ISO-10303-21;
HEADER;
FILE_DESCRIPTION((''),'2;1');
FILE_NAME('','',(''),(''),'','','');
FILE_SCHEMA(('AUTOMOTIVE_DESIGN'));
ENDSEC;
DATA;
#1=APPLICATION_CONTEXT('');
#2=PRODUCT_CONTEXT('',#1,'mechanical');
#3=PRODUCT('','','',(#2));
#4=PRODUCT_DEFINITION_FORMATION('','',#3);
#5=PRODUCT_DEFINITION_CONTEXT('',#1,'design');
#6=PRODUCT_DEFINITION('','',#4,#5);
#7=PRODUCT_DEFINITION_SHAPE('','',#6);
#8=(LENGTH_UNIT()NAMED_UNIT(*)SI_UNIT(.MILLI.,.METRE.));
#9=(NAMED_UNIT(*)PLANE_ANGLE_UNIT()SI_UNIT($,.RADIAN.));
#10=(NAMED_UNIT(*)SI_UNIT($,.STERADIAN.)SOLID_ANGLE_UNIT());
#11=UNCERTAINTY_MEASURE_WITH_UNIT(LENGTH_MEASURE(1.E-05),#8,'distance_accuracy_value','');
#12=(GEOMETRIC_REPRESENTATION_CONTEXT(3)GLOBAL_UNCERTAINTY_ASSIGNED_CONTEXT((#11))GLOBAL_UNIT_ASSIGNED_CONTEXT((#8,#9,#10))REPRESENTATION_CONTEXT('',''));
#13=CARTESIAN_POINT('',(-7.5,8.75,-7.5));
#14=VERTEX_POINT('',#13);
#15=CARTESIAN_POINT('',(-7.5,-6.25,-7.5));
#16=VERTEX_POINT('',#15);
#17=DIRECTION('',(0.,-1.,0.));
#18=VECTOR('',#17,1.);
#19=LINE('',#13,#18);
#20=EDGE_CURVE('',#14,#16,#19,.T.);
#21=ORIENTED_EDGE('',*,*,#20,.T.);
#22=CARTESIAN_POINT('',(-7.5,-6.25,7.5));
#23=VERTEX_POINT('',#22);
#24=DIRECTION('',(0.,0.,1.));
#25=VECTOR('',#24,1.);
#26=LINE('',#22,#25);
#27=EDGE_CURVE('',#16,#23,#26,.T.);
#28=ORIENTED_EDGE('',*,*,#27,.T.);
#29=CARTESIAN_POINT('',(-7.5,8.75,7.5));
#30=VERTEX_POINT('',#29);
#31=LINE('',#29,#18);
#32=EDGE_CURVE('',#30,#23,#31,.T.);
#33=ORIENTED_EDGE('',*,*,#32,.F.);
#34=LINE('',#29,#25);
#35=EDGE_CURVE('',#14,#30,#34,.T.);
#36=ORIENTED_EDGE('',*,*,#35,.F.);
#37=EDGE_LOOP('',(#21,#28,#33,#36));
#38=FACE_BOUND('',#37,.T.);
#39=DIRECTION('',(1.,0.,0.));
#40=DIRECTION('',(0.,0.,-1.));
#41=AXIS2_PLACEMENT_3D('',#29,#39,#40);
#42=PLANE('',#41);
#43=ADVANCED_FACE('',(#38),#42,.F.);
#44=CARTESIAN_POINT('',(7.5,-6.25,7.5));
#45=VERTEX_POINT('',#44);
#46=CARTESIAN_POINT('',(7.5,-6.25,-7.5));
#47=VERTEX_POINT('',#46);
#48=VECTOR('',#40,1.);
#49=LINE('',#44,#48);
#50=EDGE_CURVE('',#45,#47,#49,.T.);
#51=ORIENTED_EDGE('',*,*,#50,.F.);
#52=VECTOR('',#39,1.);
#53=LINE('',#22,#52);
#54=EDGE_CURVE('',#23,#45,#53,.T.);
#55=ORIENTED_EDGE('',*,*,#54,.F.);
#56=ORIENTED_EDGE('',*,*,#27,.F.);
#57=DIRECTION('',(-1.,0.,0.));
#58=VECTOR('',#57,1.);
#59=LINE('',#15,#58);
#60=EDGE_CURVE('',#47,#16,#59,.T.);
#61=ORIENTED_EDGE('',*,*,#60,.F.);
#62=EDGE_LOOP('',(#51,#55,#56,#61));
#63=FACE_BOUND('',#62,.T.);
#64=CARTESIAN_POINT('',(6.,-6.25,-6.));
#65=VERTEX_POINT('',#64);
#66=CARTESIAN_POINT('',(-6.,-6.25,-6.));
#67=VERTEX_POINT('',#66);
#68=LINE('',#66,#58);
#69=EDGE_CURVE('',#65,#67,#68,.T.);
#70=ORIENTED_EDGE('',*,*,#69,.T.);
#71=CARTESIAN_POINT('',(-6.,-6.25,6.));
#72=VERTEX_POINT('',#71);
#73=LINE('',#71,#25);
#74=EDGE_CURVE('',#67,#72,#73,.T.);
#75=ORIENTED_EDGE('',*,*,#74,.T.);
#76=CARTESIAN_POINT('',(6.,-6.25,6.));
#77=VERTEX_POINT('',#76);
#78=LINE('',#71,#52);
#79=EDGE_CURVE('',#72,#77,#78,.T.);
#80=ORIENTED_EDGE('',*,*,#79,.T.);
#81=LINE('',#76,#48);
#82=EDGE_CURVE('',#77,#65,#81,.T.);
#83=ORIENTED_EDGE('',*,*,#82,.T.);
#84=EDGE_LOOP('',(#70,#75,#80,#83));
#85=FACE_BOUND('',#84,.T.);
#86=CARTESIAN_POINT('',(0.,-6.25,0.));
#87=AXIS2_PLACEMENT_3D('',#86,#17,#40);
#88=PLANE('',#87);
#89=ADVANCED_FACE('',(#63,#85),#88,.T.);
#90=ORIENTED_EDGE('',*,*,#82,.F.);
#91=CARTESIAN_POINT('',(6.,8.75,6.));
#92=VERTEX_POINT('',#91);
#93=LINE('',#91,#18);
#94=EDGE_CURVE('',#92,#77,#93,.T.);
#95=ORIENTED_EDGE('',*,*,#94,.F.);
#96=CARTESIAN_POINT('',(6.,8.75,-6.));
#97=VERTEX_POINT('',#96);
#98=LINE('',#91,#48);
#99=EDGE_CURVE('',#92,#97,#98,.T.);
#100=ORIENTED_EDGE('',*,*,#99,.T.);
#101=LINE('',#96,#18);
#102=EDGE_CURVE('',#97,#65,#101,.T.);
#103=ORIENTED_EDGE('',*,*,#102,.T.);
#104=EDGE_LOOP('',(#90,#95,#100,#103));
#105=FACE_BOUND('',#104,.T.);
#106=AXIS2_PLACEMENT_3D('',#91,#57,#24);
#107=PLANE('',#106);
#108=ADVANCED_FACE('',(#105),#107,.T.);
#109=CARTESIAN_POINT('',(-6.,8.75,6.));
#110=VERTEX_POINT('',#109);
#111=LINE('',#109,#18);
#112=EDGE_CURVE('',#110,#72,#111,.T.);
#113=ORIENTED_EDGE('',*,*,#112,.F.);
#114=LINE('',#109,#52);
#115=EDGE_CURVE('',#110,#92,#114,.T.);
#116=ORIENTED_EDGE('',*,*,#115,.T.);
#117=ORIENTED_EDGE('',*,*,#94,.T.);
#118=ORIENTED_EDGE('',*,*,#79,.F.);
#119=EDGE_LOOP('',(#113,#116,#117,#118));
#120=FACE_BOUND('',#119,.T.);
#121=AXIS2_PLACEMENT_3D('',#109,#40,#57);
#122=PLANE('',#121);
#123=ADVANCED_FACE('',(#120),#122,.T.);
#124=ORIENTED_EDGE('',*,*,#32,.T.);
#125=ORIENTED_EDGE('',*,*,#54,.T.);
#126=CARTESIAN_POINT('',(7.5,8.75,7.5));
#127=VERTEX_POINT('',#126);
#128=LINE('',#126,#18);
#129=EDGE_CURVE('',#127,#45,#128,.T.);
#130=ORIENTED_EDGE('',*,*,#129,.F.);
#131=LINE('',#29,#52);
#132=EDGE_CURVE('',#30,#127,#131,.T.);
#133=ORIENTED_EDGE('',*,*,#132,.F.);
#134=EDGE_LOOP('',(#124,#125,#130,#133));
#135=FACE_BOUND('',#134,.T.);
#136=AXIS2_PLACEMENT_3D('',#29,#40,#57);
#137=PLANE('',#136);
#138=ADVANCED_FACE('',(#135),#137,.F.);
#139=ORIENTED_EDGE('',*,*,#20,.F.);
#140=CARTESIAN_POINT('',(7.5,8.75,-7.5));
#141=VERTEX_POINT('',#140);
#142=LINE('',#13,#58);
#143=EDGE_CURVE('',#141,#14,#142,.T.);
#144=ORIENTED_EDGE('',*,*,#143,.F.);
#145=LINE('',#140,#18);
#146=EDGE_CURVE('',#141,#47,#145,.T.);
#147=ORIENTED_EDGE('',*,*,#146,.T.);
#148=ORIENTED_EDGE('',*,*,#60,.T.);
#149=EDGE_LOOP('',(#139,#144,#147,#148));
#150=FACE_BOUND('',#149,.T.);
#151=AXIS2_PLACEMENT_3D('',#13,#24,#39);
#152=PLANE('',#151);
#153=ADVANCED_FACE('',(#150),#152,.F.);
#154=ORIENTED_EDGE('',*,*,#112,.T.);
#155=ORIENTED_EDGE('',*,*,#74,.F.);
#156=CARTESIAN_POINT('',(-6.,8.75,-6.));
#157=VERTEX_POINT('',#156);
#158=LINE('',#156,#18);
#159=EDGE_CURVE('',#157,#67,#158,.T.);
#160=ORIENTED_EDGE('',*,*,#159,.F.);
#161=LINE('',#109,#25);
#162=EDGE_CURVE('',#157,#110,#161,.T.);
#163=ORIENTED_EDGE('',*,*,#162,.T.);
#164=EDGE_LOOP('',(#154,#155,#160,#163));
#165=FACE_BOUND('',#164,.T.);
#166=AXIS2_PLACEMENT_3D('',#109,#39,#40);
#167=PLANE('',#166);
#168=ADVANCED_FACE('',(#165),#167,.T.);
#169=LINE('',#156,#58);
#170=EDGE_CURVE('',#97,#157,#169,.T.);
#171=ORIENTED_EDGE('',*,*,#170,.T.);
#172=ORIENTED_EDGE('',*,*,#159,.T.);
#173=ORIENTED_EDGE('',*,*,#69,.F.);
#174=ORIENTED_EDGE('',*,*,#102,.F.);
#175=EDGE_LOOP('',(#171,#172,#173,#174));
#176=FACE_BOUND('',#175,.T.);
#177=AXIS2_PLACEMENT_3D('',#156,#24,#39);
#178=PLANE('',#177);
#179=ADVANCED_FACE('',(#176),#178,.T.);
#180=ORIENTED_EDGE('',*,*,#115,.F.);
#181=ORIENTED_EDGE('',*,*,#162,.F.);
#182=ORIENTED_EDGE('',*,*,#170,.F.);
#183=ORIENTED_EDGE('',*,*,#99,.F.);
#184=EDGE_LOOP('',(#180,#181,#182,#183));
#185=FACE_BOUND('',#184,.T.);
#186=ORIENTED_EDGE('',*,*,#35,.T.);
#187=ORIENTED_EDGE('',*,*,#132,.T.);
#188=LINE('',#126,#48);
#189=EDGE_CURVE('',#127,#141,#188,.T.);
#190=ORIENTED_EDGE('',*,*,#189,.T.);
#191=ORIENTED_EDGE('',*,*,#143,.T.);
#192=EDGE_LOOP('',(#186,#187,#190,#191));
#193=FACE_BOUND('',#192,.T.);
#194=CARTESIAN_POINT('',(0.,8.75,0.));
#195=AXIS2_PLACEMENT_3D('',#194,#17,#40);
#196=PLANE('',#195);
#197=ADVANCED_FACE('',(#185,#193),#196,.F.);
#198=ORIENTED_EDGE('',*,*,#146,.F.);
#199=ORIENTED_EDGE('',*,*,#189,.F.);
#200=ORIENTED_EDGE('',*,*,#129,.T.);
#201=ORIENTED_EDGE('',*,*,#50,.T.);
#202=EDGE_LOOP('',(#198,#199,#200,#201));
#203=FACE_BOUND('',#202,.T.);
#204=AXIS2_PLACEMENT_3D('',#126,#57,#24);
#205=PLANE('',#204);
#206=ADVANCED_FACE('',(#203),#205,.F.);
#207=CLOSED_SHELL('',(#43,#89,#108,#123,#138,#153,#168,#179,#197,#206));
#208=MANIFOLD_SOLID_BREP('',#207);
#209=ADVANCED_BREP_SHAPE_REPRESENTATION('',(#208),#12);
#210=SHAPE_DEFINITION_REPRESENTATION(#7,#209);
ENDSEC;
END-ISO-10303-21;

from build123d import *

# Parameters (mm, degrees)
SKETCH1_W           = 2.5
SKETCH1_H           = 2.5
SKETCH1_W_2         = 2
SKETCH1_H_2         = 2
BOSS_EXTRUDE1_DEPTH = 2.5
SCALE1_SCALE        = 6


with BuildPart() as part:
    # Sketch1 → Boss-Extrude1 (new body)
    with BuildSketch(Plane(origin=(0, 0, 0), x_dir=(1, 0, 0), z_dir=(0, 1, 0))):
        Rectangle(SKETCH1_W, SKETCH1_H)
        Rectangle(SKETCH1_W_2, SKETCH1_H_2, mode=Mode.SUBTRACT)
    extrude(amount=BOSS_EXTRUDE1_DEPTH)


with BuildPart() as part_1:
    # Scale1: scaled about (0, 1.25, 0)
    add(part.part.scale(SCALE1_SCALE).moved(Location((0, -6.25, 0))))


solid = part_1.part
